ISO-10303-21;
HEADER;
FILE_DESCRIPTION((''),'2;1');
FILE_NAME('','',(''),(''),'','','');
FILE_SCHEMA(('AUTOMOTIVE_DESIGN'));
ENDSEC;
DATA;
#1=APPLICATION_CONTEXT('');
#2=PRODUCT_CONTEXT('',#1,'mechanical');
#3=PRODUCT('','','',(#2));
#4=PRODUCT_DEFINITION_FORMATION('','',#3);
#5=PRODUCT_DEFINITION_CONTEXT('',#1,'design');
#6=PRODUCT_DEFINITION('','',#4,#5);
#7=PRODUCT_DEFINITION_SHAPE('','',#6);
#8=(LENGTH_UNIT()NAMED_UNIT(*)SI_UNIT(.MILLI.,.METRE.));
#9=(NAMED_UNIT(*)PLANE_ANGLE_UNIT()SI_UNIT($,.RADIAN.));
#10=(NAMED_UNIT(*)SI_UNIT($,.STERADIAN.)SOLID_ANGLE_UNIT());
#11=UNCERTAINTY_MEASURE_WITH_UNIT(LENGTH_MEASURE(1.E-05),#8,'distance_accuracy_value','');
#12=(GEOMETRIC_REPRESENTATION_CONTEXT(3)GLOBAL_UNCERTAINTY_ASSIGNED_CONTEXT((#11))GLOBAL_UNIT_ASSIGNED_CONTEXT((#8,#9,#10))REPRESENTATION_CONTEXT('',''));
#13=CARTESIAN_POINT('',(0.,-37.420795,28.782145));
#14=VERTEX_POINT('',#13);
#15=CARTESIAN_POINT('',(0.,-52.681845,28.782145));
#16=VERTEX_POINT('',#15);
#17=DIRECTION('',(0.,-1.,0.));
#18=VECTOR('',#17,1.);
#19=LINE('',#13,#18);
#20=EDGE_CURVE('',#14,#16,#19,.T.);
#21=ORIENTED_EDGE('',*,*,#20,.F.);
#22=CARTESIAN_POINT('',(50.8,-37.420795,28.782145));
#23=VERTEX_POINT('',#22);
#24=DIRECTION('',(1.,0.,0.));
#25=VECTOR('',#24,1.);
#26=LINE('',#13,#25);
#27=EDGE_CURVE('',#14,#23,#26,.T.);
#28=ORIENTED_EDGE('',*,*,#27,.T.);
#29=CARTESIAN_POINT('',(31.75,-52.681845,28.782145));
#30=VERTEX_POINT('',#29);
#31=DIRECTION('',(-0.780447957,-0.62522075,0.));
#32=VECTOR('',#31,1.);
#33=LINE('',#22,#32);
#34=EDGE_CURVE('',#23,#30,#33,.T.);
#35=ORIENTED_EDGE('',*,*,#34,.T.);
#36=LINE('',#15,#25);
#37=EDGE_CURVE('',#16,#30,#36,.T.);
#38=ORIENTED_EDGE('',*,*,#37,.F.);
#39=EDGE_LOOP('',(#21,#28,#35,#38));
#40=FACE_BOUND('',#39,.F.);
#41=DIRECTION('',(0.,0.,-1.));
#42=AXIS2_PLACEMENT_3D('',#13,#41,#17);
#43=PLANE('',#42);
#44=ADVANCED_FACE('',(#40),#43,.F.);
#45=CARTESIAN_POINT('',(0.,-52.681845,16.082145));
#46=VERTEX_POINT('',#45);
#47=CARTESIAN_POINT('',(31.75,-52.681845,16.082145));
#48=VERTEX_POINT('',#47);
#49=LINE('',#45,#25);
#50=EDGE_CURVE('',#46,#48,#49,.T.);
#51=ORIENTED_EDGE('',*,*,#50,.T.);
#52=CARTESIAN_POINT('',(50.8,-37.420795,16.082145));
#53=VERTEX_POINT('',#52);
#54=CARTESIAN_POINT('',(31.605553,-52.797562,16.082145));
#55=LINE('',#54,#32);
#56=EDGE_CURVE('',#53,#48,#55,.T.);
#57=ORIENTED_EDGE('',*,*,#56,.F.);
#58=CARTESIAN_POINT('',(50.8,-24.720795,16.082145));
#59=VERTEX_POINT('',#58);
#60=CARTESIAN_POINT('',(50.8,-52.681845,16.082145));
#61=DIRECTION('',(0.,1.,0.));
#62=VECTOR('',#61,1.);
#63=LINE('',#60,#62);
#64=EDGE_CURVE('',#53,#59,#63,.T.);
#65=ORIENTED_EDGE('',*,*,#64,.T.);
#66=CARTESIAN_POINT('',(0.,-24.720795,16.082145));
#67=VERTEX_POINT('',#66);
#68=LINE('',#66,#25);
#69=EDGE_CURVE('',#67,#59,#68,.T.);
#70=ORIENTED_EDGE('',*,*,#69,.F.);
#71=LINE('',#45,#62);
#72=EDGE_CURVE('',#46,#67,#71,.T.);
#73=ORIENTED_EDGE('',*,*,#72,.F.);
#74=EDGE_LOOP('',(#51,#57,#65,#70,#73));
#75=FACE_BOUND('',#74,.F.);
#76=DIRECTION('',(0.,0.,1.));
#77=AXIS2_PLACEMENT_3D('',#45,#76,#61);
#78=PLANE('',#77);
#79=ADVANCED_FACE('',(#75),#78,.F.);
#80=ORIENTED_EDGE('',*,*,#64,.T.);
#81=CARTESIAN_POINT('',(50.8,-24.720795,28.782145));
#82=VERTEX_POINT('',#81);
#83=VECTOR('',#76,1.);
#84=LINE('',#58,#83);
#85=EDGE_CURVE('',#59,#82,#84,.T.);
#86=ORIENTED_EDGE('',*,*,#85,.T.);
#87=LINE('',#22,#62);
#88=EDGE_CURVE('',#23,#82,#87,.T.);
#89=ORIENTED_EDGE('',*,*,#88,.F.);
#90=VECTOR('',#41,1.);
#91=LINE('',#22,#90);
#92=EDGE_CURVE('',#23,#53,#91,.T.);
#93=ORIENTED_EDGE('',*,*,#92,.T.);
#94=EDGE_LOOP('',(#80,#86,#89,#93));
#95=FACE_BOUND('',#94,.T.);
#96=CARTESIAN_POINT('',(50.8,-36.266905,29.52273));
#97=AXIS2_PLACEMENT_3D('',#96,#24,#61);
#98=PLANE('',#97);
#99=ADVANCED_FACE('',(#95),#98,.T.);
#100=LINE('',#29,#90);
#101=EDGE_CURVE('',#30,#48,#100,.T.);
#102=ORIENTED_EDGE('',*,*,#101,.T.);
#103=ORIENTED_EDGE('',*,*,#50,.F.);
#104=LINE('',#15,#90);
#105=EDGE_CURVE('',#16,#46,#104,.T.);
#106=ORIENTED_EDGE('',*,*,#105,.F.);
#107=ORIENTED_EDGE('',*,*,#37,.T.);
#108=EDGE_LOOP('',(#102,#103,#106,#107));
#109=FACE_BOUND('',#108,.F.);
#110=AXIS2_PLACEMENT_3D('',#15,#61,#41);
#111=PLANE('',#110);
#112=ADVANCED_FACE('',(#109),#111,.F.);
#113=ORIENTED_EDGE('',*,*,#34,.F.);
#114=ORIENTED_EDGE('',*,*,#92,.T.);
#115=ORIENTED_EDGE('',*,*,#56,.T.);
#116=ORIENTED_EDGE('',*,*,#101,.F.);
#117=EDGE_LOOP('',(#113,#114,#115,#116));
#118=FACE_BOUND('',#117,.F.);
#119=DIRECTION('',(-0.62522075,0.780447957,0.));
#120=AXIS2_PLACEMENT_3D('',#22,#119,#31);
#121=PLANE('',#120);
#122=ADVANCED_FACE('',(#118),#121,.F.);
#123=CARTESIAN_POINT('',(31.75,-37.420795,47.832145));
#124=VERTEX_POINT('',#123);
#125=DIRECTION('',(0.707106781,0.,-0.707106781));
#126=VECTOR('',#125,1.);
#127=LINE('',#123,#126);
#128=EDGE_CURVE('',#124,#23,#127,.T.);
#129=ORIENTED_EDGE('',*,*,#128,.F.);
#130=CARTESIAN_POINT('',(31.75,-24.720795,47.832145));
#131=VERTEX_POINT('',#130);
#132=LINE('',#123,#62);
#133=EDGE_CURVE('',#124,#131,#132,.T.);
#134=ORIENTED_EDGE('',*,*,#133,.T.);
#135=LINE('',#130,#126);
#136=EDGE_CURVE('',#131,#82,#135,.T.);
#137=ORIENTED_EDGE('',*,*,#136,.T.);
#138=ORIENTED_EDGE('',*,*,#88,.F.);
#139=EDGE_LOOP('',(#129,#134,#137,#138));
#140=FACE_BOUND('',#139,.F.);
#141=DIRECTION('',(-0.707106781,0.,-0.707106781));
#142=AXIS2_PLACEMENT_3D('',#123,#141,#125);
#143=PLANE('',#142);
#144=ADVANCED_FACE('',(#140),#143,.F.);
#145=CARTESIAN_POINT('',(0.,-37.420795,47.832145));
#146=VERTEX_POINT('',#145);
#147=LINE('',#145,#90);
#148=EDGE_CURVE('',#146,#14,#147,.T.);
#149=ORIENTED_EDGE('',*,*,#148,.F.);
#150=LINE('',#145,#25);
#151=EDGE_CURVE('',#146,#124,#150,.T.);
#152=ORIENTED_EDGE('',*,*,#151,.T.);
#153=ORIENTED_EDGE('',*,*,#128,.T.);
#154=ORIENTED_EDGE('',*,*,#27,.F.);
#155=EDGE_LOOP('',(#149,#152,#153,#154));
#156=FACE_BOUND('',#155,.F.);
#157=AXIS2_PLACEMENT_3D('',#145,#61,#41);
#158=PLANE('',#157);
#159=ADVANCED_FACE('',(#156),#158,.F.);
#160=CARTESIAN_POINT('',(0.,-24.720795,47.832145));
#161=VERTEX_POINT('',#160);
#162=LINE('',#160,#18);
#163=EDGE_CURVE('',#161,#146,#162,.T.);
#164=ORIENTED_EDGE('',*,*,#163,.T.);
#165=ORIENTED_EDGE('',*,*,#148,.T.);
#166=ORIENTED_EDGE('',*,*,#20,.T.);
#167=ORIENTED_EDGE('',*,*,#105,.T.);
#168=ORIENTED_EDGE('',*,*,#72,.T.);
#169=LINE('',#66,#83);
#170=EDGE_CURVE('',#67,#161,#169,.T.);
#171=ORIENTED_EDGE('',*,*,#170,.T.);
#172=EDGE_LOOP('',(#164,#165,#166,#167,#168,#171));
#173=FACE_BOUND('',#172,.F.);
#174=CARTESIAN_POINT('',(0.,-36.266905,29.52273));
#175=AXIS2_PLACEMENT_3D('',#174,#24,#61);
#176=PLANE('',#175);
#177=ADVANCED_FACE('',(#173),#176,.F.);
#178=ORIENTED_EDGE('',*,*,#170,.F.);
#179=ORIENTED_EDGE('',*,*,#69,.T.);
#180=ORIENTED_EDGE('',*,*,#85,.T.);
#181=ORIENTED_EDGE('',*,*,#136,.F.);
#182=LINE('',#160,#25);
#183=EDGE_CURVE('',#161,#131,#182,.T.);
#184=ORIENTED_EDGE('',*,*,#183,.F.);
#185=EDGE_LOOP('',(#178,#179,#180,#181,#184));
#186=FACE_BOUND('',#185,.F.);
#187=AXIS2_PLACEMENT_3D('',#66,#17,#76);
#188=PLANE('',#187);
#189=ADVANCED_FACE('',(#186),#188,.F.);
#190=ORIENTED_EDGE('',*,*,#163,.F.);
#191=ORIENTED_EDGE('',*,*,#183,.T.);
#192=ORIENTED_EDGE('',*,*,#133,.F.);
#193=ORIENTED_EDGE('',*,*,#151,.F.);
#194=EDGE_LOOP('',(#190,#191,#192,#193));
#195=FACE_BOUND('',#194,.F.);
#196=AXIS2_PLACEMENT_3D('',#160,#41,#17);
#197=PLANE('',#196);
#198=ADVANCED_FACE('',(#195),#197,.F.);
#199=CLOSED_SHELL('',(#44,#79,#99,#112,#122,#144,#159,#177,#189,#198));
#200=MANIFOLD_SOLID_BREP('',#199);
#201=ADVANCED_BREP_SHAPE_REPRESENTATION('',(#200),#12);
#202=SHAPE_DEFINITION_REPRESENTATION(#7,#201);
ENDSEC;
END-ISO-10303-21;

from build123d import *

# Parameters (mm, degrees)
F1_DEPTH = 50.8
F3_DEPTH = 12.701
F5_DEPTH = 12.701


with BuildPart() as f1:
    # F0 (on Right) → F1 (new body)
    with BuildSketch(Plane.YZ):
        Polygon((-24.720795, 16.082145), (-24.720795, 47.832145), (-37.420795, 47.832145), (-37.420795, 28.782145), (-52.681845, 28.782145), (-52.681845, 16.082145), align=None)
    extrude(amount=F1_DEPTH)

    # F2 (on face) → F3 (cut, through all)
    with BuildSketch(Plane.XZ.offset(37.420795)):
        Polygon((31.75, 47.832145), (50.8, 28.782145), (50.8, 47.832145), align=None)
    extrude(amount=-F3_DEPTH, mode=Mode.SUBTRACT)

    # F4 (on face) → F5 (cut, through all)
    with BuildSketch(Plane.XY.offset(28.782145)):
        Polygon((50.8, -52.681845), (50.8, -37.420795), (31.75, -52.681845), align=None)
    extrude(amount=-F5_DEPTH, mode=Mode.SUBTRACT)


solid = f1.part
